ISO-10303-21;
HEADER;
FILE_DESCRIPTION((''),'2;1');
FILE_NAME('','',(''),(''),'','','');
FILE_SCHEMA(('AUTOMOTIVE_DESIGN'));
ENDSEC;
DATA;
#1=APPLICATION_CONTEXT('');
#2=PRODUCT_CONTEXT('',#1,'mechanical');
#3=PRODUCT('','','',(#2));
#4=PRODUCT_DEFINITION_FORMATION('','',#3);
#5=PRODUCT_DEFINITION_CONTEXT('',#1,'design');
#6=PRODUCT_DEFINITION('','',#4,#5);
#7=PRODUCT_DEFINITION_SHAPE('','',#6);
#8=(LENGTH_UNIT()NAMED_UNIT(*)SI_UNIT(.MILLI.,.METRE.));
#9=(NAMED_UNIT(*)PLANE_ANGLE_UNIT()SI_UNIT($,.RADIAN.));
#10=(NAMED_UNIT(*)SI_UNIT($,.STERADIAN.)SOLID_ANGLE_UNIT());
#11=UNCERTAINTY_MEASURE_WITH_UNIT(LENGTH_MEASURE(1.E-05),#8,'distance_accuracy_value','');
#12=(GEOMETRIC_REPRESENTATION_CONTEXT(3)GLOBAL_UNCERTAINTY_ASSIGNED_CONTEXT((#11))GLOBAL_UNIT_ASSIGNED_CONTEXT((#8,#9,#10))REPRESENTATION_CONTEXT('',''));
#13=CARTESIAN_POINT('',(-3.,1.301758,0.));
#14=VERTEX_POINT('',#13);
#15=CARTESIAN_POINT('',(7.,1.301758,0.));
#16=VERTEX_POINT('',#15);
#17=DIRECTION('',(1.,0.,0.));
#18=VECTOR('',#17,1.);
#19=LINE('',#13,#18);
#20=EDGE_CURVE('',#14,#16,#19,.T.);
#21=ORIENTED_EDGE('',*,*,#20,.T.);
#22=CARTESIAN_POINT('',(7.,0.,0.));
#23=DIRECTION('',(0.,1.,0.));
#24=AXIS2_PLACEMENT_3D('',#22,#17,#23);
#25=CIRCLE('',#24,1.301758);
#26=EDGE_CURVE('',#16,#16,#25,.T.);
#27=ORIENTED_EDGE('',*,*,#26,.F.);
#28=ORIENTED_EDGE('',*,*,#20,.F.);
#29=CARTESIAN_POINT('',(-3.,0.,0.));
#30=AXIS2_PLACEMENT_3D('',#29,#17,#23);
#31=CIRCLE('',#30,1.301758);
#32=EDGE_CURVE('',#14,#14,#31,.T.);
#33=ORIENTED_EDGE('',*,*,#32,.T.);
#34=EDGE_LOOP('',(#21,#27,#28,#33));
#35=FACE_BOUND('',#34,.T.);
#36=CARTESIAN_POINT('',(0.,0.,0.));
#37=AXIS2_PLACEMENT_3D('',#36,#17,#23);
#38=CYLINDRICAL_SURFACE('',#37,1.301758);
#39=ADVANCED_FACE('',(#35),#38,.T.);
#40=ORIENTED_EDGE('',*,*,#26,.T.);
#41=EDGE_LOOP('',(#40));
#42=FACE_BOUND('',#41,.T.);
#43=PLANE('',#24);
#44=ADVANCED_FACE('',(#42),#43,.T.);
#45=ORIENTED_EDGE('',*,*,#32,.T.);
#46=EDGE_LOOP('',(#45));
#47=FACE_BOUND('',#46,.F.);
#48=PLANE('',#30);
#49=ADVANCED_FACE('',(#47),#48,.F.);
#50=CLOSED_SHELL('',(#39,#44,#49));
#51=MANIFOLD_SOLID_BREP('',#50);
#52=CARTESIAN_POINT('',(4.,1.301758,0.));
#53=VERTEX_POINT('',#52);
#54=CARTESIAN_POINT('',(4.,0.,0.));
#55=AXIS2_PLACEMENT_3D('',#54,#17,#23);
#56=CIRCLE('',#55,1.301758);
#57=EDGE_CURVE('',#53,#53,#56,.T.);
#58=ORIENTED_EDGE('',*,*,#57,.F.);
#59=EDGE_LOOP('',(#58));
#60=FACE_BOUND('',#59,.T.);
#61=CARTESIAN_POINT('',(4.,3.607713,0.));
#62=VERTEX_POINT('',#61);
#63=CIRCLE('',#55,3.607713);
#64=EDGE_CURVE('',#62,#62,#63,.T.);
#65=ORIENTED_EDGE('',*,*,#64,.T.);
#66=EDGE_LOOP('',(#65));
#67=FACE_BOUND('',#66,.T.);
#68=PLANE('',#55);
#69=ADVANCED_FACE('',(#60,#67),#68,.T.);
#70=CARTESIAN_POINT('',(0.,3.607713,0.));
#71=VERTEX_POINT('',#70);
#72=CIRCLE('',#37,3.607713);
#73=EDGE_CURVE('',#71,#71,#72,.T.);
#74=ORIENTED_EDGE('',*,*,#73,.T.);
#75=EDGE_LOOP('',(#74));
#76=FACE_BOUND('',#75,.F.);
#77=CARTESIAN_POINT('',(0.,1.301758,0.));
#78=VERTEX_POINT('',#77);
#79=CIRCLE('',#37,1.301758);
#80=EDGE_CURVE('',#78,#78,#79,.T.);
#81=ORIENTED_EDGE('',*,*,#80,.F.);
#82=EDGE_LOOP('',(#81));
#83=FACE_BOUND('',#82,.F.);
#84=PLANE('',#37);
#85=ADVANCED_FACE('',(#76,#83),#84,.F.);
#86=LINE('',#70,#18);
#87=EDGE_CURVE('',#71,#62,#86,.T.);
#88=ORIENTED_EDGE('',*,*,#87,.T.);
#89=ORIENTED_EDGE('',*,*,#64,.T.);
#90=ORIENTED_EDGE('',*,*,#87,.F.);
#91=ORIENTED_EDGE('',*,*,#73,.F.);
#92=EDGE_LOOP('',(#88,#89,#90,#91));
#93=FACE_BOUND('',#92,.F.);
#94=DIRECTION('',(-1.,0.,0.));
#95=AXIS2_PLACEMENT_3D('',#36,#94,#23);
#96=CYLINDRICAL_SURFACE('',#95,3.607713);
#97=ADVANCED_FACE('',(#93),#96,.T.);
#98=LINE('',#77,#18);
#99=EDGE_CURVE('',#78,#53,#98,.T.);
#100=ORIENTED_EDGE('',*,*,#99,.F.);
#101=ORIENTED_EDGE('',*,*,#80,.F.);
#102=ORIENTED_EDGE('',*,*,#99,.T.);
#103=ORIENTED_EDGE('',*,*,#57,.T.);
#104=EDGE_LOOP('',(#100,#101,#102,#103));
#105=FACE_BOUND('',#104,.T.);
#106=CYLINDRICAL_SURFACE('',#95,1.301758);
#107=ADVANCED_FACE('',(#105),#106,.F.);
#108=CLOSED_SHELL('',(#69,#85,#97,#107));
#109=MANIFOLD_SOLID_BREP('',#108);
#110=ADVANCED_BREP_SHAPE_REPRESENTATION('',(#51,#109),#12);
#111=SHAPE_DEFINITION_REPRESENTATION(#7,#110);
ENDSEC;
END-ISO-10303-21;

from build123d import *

# Parameters (mm, degrees)
F0_R          = 3.607713
F0_R_2        = 1.301758
F1_DEPTH      = 4
F2_DEPTH      = 7
F2_DEPTH_BACK = 3


with BuildPart() as f1:
    # F0 (on Right) → F1 (new body)
    with BuildSketch(Plane.YZ):
        Circle(F0_R)
        Circle(F0_R_2, mode=Mode.SUBTRACT)
    extrude(amount=F1_DEPTH)


with BuildPart() as f2:
    # F0 (on Right) → F2 (new body, two sides)
    with BuildSketch(Plane.YZ) as f2_sk:
        Circle(F0_R_2)
    extrude(amount=F2_DEPTH)
    extrude(f2_sk.sketch, amount=-F2_DEPTH_BACK)


solid = Compound([f1.part, f2.part])
